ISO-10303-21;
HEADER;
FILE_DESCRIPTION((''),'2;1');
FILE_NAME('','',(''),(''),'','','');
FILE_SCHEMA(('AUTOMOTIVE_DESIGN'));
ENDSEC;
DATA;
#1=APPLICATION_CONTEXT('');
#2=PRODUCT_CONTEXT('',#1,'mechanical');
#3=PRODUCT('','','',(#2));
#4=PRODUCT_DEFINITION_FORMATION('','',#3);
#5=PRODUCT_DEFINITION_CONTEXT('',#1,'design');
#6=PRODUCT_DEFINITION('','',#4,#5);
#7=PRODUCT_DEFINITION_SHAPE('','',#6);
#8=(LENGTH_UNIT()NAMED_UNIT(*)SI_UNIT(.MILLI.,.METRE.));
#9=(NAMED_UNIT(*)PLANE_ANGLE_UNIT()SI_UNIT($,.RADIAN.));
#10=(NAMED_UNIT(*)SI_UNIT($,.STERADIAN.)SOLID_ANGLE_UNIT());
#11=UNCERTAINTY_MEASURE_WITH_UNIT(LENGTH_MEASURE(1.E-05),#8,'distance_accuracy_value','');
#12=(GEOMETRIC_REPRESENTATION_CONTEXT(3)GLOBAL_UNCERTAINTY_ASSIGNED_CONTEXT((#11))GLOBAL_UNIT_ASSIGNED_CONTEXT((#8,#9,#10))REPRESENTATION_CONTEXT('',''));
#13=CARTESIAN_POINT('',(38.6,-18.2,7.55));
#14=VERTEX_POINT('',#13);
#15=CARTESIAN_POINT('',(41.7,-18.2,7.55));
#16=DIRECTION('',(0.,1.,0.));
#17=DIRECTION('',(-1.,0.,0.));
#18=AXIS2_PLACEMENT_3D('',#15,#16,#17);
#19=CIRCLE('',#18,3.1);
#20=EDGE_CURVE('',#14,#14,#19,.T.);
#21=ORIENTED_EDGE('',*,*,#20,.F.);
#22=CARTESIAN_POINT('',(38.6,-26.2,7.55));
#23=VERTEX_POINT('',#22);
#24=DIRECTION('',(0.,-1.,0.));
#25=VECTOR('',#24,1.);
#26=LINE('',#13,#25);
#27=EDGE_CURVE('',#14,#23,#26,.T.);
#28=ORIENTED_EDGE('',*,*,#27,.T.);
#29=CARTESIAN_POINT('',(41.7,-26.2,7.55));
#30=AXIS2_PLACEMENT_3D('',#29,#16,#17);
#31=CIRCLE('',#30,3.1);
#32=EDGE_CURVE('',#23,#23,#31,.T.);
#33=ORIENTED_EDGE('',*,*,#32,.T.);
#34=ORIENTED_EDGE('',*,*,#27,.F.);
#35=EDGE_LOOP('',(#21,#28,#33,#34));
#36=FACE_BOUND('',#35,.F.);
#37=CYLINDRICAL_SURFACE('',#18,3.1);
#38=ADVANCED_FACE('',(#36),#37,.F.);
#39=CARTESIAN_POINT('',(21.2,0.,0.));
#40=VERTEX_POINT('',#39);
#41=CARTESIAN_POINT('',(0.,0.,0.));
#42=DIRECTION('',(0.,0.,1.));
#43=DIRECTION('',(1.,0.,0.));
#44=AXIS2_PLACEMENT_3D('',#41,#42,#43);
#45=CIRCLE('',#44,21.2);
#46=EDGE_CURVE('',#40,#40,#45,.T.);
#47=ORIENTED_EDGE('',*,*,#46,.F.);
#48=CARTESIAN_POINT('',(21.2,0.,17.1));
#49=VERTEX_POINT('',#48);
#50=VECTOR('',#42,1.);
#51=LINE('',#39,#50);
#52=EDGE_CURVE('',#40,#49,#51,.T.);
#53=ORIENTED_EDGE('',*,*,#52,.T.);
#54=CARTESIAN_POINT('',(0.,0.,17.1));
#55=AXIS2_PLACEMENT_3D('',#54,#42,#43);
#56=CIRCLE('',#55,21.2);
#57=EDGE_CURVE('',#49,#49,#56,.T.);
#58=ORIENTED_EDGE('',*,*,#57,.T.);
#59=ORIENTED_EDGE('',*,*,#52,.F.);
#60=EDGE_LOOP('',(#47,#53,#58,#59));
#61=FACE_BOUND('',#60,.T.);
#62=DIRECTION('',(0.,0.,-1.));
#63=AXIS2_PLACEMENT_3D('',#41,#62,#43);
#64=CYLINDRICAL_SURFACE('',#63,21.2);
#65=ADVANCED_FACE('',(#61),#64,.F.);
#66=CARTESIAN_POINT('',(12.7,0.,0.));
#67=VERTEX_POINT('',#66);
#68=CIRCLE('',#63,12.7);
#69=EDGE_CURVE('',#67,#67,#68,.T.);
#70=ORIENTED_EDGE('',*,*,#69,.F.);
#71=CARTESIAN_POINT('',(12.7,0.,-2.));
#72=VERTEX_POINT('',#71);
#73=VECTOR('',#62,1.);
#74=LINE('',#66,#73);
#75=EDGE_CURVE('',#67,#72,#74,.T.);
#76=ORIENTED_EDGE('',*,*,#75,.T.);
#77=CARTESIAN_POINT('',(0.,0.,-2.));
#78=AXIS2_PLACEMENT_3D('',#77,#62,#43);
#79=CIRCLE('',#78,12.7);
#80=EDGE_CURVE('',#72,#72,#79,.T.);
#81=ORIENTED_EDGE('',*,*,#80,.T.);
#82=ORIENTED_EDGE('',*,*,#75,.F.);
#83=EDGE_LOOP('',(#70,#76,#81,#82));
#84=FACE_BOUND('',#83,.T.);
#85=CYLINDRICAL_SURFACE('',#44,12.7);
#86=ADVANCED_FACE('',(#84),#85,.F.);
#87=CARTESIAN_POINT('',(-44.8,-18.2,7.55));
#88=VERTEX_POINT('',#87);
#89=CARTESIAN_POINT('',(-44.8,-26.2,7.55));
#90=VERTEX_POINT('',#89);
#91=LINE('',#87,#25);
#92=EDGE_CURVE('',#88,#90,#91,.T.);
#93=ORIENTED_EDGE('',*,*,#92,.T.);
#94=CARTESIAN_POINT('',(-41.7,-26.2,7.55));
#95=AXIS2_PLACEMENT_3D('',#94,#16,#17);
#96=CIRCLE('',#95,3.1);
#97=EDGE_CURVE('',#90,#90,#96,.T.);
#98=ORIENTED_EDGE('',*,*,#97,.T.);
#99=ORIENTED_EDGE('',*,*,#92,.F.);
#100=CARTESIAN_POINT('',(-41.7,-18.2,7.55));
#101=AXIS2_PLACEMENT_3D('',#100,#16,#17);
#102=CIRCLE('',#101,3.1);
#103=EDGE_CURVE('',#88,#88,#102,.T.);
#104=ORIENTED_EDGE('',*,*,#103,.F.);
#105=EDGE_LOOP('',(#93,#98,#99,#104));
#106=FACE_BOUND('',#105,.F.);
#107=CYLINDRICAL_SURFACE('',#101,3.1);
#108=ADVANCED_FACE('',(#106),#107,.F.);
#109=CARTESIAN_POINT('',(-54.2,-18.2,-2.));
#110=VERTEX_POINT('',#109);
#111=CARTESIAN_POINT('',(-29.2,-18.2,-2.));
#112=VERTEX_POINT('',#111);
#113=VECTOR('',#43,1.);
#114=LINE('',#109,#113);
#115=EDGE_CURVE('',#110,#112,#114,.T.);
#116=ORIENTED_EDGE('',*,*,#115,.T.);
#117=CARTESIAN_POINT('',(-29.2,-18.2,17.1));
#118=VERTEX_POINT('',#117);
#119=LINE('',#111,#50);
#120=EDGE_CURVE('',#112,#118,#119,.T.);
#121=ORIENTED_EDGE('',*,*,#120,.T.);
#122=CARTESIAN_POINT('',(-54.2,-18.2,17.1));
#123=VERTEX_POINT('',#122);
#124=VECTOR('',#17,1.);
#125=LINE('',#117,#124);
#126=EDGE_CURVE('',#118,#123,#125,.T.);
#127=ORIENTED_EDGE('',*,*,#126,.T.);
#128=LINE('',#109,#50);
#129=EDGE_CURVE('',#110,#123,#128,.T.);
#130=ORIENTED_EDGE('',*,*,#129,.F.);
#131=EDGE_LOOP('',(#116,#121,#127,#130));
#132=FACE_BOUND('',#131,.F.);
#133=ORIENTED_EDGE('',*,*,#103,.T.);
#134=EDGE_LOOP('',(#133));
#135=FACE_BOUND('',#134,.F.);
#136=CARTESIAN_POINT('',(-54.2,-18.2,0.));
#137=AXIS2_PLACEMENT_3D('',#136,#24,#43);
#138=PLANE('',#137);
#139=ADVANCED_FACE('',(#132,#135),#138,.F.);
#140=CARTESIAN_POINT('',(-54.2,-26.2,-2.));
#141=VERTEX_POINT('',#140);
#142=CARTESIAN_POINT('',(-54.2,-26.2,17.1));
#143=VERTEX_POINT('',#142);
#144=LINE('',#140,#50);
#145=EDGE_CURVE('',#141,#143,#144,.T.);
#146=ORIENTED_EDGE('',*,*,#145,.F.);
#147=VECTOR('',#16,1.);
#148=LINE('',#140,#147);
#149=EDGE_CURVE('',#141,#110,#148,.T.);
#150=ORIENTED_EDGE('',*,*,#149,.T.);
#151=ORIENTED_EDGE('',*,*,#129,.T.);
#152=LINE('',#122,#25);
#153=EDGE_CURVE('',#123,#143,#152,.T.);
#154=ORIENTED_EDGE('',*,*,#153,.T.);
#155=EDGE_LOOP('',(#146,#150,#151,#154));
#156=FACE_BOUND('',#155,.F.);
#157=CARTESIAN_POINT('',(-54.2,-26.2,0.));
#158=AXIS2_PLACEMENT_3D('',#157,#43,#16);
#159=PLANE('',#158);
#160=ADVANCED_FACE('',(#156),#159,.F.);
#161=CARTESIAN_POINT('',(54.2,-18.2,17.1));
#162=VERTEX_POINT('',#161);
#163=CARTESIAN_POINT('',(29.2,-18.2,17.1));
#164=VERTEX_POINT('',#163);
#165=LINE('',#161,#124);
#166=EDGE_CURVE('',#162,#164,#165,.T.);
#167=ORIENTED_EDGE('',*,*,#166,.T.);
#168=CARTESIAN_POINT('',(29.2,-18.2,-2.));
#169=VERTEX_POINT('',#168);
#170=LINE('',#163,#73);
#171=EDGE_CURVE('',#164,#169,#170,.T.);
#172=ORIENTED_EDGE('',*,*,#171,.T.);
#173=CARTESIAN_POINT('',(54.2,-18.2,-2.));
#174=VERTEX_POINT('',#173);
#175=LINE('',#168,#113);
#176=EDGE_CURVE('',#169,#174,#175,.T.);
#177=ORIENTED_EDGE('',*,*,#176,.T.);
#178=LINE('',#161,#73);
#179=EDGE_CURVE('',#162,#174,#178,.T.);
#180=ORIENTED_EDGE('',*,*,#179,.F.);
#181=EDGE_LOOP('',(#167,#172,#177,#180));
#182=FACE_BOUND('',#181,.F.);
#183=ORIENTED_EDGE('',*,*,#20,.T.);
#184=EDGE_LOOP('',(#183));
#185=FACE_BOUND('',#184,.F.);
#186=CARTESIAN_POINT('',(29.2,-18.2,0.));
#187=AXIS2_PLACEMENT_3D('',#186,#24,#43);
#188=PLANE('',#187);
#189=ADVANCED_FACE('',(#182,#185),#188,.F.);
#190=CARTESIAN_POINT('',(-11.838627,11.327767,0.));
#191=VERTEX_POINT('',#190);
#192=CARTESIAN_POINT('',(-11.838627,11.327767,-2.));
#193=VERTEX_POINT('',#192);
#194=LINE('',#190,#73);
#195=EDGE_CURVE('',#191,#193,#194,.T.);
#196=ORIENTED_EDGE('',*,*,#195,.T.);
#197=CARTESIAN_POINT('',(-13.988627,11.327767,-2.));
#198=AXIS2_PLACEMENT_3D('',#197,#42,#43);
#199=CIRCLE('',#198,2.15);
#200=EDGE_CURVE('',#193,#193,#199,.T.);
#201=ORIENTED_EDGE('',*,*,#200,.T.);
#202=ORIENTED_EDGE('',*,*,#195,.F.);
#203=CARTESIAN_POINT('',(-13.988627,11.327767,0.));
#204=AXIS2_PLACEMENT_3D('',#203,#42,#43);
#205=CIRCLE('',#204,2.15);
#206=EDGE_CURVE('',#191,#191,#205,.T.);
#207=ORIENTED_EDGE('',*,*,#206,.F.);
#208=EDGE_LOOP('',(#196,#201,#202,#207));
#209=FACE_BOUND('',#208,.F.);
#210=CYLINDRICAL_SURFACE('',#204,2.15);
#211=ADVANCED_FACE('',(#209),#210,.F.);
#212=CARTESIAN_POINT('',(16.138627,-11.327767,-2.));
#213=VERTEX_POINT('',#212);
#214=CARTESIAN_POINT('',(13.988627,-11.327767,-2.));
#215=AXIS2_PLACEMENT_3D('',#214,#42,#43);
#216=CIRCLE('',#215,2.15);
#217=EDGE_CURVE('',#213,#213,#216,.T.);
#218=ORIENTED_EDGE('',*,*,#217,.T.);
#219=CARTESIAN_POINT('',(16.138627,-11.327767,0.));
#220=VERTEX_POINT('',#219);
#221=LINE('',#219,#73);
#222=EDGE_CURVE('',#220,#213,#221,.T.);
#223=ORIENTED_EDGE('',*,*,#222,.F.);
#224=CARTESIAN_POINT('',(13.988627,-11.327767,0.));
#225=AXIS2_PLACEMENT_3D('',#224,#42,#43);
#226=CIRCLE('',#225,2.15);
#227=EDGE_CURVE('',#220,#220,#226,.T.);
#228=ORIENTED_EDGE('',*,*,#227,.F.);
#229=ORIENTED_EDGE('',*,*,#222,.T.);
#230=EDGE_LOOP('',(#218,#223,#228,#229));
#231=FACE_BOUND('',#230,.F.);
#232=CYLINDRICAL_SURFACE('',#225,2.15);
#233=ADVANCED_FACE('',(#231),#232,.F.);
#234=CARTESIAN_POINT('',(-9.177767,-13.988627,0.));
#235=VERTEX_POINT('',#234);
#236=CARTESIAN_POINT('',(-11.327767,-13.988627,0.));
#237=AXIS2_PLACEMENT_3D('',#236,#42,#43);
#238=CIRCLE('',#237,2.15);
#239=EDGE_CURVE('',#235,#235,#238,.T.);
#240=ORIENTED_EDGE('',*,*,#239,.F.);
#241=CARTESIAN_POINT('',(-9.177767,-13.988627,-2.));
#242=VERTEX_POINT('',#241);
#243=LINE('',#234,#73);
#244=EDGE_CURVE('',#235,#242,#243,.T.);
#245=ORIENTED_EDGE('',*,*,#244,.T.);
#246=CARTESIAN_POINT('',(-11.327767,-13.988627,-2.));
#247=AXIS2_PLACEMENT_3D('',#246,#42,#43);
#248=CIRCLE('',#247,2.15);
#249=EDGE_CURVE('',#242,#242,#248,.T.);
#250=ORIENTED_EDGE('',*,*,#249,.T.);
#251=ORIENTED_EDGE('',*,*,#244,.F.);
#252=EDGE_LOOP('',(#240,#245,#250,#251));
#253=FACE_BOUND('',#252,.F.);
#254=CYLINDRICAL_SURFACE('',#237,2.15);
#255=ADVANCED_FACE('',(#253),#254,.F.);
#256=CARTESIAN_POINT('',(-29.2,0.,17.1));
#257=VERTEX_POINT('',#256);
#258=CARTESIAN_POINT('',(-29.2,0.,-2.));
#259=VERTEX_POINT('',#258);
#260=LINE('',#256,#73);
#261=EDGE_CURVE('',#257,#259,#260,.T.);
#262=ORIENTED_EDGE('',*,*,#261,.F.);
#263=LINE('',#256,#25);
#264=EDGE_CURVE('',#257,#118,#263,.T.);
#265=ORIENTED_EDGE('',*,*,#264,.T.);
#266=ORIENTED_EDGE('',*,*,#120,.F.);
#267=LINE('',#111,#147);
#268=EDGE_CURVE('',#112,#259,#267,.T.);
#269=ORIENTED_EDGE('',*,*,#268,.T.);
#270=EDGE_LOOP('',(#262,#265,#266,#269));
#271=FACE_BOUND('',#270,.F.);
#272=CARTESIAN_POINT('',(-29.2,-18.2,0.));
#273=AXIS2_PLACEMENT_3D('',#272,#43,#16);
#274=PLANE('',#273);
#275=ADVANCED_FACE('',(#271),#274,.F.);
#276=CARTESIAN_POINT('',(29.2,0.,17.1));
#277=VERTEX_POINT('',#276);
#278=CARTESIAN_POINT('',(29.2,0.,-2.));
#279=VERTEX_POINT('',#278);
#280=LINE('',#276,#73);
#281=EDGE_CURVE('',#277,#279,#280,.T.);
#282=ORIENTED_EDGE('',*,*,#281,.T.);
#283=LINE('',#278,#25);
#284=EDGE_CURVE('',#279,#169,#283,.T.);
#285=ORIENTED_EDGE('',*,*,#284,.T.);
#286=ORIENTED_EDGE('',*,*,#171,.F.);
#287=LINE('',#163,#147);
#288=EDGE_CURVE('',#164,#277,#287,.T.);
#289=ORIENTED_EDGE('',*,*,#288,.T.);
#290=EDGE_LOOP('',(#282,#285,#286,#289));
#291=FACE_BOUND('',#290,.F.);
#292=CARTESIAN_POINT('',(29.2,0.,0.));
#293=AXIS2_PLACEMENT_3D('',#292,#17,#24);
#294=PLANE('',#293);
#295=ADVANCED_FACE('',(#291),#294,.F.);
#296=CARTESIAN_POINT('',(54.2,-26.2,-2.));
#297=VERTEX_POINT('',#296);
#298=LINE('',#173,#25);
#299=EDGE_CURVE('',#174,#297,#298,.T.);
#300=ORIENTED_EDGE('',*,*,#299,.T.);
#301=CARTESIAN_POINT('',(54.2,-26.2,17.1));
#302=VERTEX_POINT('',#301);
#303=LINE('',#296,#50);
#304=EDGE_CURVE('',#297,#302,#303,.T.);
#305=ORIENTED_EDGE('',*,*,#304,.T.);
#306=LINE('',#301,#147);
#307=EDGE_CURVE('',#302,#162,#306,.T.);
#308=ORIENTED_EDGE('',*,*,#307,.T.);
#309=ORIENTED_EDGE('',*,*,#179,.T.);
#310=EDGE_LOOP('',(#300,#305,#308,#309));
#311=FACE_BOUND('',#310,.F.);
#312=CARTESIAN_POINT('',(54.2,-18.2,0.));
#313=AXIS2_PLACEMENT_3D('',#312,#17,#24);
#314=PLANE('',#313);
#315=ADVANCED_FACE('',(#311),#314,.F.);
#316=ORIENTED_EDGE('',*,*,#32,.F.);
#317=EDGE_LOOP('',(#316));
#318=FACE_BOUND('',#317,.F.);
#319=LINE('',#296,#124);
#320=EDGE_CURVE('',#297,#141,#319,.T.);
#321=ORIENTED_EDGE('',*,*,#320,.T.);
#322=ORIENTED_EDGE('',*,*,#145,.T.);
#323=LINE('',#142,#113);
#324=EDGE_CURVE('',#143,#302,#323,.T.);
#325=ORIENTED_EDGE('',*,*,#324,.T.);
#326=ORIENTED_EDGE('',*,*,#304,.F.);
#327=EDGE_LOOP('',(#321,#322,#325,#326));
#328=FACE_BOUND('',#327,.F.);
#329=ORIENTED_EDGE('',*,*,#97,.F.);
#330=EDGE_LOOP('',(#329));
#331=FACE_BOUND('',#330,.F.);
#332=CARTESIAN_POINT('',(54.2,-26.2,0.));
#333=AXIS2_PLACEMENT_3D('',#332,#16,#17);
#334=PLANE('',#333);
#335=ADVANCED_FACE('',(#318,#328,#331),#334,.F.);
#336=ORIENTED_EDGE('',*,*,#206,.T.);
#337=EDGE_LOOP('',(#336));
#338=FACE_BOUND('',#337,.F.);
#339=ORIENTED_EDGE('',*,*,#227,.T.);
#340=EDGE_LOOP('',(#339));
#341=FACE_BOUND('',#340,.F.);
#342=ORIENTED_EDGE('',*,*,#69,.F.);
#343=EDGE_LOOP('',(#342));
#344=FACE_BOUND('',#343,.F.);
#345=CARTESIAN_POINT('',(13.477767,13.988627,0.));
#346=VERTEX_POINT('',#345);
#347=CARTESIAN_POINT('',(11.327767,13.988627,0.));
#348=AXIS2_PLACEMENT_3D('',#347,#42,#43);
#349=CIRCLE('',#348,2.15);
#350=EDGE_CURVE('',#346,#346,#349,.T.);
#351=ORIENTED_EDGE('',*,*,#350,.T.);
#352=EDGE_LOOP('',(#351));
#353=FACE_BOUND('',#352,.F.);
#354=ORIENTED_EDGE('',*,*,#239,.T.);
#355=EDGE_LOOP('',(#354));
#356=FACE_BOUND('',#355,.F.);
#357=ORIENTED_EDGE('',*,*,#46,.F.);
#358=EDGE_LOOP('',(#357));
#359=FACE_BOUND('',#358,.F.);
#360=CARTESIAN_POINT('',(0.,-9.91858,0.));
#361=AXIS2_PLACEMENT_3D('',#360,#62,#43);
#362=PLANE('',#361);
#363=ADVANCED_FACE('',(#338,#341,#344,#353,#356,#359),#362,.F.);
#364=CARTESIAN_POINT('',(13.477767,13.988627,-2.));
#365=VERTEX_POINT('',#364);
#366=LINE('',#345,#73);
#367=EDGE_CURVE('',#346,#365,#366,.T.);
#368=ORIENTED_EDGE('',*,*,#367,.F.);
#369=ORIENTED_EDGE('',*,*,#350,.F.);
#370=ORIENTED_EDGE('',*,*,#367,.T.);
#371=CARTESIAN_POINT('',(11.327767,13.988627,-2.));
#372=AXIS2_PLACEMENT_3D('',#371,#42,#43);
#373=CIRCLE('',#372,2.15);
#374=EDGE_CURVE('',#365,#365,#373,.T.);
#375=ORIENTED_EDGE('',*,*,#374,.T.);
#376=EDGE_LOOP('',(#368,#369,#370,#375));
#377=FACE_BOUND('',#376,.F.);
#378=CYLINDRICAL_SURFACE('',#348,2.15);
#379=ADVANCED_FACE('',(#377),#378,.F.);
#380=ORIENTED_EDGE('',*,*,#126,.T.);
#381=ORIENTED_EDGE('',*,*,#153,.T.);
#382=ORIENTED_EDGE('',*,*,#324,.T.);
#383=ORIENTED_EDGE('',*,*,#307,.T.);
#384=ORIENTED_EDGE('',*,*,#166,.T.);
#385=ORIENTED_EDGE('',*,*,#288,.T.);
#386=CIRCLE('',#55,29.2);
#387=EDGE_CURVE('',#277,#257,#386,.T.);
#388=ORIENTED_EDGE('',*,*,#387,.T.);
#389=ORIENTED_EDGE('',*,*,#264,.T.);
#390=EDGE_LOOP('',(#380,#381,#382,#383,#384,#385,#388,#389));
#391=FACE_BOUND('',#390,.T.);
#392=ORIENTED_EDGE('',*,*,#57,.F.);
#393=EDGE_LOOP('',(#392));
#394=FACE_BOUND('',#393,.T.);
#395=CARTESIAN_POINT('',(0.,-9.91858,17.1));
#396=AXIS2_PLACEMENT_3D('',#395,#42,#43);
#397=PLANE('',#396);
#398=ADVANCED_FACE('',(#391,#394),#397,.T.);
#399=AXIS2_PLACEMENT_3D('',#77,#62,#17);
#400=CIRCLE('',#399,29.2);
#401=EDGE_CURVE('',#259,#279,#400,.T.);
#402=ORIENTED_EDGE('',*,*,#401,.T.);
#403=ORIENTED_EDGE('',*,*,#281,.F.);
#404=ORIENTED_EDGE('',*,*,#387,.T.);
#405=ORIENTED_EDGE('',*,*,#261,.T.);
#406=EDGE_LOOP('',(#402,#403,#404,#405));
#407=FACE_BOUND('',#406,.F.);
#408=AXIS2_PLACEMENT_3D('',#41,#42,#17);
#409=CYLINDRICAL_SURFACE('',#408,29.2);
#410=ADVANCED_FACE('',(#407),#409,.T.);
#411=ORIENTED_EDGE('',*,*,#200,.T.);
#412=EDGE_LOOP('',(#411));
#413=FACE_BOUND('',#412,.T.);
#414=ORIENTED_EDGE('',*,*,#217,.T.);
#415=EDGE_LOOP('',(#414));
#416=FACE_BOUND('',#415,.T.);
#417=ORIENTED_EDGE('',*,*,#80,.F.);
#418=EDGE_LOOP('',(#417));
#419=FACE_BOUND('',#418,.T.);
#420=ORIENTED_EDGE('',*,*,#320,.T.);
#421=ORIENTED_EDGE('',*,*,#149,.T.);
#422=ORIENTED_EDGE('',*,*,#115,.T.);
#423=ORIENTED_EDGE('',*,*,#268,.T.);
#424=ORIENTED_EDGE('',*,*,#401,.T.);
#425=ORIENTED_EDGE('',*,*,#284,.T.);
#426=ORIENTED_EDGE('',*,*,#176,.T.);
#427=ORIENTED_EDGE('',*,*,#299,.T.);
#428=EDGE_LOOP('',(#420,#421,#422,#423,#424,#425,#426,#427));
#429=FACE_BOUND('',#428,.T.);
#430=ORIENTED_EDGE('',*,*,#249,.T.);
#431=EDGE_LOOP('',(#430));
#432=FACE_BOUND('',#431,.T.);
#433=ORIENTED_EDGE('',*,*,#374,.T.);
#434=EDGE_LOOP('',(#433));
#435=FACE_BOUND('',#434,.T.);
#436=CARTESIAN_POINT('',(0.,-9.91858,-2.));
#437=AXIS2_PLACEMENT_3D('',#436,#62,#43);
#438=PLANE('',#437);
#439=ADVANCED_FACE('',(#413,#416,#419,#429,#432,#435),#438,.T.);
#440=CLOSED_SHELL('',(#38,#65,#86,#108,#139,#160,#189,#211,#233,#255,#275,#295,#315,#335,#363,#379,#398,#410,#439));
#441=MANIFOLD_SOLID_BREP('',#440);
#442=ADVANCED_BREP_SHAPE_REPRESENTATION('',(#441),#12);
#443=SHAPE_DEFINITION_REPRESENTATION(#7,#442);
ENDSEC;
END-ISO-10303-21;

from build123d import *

# Parameters (mm, degrees)
F0_R     = 21.2
F1_DEPTH = 17.1
F2_R     = 12.7
F3_DEPTH = 2
F5_R     = 2.15
F6_DEPTH = 25
F7_R     = 3.1
F8_DEPTH = 8.001


with BuildPart() as f1:
    # F0 (on Top) → F1 (new body)
    with BuildSketch(Plane.XY):
        with BuildLine():
            Line((-54.2, -26.2), (54.2, -26.2))
            Line((54.2, -26.2), (54.2, -18.2))
            Line((54.2, -18.2), (29.2, -18.2))
            Line((29.2, -18.2), (29.2, 0))
            ThreePointArc((29.2, 0), (0, 29.2), (-29.2, 0))
            Line((-29.2, 0), (-29.2, -18.2))
            Line((-29.2, -18.2), (-54.2, -18.2))
            Line((-54.2, -18.2), (-54.2, -26.2))
        make_face()
        Circle(F0_R, mode=Mode.SUBTRACT)
    extrude(amount=F1_DEPTH)

    # F2 (on face) → F3 (join)
    with BuildSketch(Plane(origin=(0, 0, 0), x_dir=(1, 0, 0), z_dir=(0, 0, -1))):
        with BuildLine():
            Line((-29.2, 18.2), (-29.2, 0))
            ThreePointArc((-29.2, 0), (0, -29.2), (29.2, 0))
            Line((29.2, 0), (29.2, 18.2))
            Line((29.2, 18.2), (54.2, 18.2))
            Line((54.2, 18.2), (54.2, 26.2))
            Line((54.2, 26.2), (-54.2, 26.2))
            Line((-54.2, 26.2), (-54.2, 18.2))
            Line((-54.2, 18.2), (-29.2, 18.2))
        make_face()
        Circle(F2_R, mode=Mode.SUBTRACT)
    extrude(amount=F3_DEPTH)

    # F5 (on face) → F6 (cut)
    with BuildSketch(Plane.XY):
        with Locations((11.327767, 13.988627)):
            Circle(F5_R)
        with Locations((13.988627, -11.327767)):
            Circle(F5_R)
        with Locations((-11.327767, -13.988627)):
            Circle(F5_R)
        with Locations((-13.988627, 11.327767)):
            Circle(F5_R)
    extrude(amount=-F6_DEPTH, mode=Mode.SUBTRACT)

    # F7 (on face) → F8 (cut, through all)
    with BuildSketch(Plane(origin=(0, -18.2, 0), x_dir=(-1, 0, 0), z_dir=(0, 1, 0))):
        with Locations((41.7, 7.55)):
            Circle(F7_R)
        with Locations((-41.7, 7.55)):
            Circle(F7_R)
    extrude(amount=-F8_DEPTH, mode=Mode.SUBTRACT)


solid = f1.part
